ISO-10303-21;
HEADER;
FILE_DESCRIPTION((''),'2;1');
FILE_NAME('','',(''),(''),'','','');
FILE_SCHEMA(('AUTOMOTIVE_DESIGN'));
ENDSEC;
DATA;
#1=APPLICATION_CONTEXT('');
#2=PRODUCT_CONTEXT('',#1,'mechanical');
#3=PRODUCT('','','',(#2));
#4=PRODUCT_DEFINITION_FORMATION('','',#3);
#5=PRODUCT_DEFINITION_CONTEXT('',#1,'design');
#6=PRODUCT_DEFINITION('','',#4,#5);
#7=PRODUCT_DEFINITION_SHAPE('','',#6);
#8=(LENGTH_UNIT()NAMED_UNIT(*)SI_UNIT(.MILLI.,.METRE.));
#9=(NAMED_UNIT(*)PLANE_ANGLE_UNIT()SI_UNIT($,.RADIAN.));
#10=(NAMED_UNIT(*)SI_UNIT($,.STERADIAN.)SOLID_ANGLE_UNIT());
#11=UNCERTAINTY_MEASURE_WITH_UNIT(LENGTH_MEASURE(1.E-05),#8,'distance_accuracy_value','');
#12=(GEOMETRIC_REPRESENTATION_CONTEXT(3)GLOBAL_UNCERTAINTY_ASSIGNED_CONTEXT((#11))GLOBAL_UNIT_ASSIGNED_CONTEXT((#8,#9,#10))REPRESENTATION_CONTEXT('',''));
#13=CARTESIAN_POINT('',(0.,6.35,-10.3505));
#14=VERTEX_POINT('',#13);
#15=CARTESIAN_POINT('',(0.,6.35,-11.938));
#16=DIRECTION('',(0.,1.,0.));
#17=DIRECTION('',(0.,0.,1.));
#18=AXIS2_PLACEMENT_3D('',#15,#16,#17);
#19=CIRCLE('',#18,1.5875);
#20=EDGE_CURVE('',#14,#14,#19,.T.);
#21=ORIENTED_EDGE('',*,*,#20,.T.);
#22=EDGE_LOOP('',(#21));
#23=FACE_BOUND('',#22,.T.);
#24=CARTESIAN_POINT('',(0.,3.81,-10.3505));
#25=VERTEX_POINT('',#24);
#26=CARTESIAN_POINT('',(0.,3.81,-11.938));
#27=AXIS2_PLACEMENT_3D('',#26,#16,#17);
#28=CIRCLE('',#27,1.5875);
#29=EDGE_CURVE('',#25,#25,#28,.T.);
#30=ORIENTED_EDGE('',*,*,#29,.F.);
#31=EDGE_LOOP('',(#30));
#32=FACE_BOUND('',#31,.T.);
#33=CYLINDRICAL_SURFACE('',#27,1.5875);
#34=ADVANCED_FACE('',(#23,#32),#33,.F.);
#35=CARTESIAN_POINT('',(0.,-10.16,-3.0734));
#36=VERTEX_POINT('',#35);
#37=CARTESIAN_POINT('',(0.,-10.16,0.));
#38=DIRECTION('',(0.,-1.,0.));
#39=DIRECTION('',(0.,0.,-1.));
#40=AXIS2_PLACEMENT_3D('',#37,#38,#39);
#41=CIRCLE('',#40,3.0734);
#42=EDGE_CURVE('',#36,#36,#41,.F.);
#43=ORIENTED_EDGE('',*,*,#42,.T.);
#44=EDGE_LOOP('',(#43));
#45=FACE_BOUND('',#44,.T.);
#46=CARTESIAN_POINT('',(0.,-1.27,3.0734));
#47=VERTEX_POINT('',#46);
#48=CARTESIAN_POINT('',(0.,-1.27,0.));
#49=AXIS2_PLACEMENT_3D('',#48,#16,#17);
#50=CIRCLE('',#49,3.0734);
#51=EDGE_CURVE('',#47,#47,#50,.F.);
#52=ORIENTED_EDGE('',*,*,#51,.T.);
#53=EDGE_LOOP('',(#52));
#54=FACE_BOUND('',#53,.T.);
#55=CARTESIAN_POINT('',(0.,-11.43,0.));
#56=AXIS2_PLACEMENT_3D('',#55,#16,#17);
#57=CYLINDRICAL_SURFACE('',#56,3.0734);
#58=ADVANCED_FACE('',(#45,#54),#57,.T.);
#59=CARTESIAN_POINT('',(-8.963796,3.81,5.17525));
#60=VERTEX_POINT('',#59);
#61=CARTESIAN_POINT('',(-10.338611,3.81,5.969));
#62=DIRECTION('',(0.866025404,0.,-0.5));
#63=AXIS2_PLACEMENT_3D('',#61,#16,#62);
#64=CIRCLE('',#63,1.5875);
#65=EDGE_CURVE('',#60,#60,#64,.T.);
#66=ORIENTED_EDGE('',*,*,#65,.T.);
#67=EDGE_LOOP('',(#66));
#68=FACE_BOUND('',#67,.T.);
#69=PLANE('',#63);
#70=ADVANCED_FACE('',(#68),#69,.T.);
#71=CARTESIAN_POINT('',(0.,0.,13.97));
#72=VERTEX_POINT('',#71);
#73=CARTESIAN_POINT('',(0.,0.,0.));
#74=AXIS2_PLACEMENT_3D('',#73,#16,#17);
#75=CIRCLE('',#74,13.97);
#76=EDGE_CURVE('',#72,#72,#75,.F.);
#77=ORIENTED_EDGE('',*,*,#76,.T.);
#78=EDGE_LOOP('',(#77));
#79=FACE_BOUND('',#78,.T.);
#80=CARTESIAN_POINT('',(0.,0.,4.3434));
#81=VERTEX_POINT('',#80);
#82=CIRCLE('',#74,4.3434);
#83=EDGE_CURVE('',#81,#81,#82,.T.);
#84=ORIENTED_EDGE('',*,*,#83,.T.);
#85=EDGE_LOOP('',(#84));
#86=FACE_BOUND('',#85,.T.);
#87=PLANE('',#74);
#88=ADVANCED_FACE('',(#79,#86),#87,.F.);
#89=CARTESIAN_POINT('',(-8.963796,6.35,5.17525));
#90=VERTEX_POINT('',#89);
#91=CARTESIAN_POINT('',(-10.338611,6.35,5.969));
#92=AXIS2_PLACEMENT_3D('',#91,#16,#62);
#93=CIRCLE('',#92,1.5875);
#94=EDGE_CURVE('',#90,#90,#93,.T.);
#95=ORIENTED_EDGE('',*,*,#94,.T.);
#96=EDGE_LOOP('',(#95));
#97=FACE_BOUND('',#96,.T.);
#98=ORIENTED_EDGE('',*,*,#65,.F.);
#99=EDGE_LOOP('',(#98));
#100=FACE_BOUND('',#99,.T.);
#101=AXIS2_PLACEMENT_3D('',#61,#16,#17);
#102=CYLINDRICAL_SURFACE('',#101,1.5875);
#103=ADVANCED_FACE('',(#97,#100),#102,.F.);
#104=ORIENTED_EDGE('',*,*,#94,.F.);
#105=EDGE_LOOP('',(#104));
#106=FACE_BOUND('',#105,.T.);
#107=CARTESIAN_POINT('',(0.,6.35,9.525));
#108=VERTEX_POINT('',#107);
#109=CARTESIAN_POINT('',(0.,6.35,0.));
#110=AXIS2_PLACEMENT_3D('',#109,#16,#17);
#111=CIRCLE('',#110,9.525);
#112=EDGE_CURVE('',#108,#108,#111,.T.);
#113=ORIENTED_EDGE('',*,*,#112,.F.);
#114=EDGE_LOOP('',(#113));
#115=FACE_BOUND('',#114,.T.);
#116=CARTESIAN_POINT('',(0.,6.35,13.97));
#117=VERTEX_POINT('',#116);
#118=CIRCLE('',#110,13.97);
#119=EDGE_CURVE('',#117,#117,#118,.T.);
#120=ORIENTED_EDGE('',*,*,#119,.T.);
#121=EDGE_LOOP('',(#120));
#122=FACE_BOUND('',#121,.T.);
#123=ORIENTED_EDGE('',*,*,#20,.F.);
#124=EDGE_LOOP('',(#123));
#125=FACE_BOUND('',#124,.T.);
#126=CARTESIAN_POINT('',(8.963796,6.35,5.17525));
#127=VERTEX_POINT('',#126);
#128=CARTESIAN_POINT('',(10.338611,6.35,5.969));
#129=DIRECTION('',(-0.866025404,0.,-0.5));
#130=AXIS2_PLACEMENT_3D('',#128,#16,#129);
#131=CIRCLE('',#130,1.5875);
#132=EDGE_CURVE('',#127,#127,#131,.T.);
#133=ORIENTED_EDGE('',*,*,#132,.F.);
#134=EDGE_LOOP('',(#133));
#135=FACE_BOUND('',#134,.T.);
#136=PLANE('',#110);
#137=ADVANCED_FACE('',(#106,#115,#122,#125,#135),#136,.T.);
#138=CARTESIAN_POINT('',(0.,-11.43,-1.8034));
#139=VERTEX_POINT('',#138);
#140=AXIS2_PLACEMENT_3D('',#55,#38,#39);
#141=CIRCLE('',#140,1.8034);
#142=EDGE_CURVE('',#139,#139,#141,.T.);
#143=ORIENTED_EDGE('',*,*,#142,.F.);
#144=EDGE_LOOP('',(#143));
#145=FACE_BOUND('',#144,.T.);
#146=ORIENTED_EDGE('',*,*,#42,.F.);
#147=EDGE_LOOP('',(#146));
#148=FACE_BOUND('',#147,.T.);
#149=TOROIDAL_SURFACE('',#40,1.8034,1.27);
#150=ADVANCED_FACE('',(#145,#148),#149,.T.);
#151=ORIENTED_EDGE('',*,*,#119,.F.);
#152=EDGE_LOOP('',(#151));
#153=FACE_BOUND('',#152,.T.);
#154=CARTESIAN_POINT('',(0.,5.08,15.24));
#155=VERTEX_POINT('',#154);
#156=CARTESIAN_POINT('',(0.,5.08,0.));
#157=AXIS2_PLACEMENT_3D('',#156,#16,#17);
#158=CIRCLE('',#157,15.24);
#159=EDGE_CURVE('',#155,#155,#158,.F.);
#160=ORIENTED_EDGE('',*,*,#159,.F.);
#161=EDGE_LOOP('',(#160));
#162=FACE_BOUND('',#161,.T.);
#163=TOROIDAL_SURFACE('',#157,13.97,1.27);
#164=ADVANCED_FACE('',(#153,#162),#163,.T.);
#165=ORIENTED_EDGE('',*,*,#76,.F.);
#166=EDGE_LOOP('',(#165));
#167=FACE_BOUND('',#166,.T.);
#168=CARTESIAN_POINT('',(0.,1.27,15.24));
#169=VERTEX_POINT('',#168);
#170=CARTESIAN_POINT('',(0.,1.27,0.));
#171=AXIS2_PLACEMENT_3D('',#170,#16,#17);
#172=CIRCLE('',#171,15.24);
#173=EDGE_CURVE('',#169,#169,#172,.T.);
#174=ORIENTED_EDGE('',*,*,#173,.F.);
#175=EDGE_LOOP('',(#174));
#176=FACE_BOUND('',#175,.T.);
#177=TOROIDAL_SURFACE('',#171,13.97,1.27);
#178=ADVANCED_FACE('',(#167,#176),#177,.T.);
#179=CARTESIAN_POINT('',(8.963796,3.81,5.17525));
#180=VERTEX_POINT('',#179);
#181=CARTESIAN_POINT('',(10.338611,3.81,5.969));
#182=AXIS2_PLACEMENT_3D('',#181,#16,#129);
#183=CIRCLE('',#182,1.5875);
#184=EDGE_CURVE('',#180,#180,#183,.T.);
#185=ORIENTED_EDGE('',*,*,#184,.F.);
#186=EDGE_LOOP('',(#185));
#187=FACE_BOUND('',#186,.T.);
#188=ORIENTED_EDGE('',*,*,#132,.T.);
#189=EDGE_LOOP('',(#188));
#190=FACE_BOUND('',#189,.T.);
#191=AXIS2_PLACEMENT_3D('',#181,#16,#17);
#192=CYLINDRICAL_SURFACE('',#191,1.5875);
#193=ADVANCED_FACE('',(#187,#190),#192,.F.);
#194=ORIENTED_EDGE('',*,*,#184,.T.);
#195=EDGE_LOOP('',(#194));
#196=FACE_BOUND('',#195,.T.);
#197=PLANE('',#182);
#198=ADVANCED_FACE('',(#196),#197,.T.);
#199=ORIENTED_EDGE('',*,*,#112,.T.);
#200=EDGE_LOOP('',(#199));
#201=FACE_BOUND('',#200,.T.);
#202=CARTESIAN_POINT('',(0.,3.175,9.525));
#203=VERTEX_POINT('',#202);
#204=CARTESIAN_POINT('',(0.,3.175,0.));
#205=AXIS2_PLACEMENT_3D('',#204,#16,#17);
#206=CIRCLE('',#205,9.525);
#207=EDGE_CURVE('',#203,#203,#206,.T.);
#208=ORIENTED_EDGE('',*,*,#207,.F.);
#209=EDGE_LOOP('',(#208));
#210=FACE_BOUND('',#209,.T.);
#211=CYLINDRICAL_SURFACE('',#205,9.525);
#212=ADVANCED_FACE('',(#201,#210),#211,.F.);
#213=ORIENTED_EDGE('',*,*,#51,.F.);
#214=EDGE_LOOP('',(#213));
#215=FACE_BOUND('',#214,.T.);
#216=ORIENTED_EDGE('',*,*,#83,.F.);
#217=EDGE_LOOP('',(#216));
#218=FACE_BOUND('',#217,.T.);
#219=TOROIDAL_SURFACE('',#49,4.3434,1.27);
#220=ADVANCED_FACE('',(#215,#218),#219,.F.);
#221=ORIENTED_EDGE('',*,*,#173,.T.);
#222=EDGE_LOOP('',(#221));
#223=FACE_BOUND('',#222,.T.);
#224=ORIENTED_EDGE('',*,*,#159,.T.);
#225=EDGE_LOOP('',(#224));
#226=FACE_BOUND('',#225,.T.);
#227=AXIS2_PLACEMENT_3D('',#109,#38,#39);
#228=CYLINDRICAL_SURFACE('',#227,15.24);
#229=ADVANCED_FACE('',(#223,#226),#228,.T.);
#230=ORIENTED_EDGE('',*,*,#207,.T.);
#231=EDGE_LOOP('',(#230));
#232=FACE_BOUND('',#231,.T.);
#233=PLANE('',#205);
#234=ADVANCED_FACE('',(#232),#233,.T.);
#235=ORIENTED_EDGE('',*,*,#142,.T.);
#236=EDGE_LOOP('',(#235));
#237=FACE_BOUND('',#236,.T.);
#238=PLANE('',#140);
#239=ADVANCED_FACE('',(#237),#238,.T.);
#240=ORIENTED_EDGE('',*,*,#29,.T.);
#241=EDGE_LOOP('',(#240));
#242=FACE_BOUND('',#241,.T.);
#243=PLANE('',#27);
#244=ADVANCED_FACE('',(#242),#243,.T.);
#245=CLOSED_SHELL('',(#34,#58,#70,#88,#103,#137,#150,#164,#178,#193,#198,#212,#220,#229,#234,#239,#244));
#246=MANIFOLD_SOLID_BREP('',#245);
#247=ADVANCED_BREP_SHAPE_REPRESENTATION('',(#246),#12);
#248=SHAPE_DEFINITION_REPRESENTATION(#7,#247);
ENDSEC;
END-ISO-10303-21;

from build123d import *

# Parameters (mm, degrees)
SKETCH1_R           = 15.24
BOSS_EXTRUDE1_DEPTH = 6.35
SKETCH2_R           = 9.525
CUT_EXTRUDE1_DEPTH  = 3.175
FILLET4_R           = 1.27
SKETCH3_R           = 3.0734
BOSS_EXTRUDE3_DEPTH = 11.43
FILLET5_R           = 1.27
SKETCH4_R           = 1.5875
CUT_EXTRUDE2_DEPTH  = 2.54
CIRPATTERN1_COUNT   = 3


with BuildPart() as part:
    # Sketch1 → Boss-Extrude1 (new body)
    with BuildSketch(Plane(origin=(0, 0, 0), x_dir=(1, 0, 0), z_dir=(0, 1, 0))):
        Circle(SKETCH1_R)
    extrude(amount=BOSS_EXTRUDE1_DEPTH)

    # Sketch2 → Cut-Extrude1 (cut)
    with BuildSketch(Plane(origin=(0, 6.35, 0), x_dir=(1, 0, 0), z_dir=(0, 1, 0))):
        Circle(SKETCH2_R)
    extrude(amount=-CUT_EXTRUDE1_DEPTH, mode=Mode.SUBTRACT)

    # Fillet4
    fillet4_edges = [part.edges().sort_by_distance(p)[0] for p in [
        (-15.24, 6.35, 0),
    ]]
    fillet(fillet4_edges, radius=FILLET4_R)

    # Sketch3 → Boss-Extrude3 (add)
    with BuildSketch(Plane.XZ):
        Circle(SKETCH3_R)
    extrude(amount=BOSS_EXTRUDE3_DEPTH)

    # Fillet5
    fillet5_edges = [part.edges().sort_by_distance(p)[0] for p in [
        (-3.0734, -11.43, 0),
        (-15.24, 0, 0),
        (-3.0734, 0, 0),
    ]]
    fillet(fillet5_edges, radius=FILLET5_R)

    # Sketch4 → Cut-Extrude2 (cut)
    with BuildSketch(Plane(origin=(0, 6.35, 0), x_dir=(1, 0, 0), z_dir=(0, 1, 0))):
        with Locations((0, 11.938)):
            Circle(SKETCH4_R)
    cut_extrude2 = extrude(amount=-CUT_EXTRUDE2_DEPTH, mode=Mode.SUBTRACT)

    # CirPattern1: Cut-Extrude2 ×3 about axis
    cirpattern1_axis = Axis((0, 3.175, 0), (0, 1, 0))
    for i in range(1, CIRPATTERN1_COUNT):
        add(cut_extrude2.rotate(cirpattern1_axis, i * 360 / CIRPATTERN1_COUNT), mode=Mode.SUBTRACT)


solid = part.part
